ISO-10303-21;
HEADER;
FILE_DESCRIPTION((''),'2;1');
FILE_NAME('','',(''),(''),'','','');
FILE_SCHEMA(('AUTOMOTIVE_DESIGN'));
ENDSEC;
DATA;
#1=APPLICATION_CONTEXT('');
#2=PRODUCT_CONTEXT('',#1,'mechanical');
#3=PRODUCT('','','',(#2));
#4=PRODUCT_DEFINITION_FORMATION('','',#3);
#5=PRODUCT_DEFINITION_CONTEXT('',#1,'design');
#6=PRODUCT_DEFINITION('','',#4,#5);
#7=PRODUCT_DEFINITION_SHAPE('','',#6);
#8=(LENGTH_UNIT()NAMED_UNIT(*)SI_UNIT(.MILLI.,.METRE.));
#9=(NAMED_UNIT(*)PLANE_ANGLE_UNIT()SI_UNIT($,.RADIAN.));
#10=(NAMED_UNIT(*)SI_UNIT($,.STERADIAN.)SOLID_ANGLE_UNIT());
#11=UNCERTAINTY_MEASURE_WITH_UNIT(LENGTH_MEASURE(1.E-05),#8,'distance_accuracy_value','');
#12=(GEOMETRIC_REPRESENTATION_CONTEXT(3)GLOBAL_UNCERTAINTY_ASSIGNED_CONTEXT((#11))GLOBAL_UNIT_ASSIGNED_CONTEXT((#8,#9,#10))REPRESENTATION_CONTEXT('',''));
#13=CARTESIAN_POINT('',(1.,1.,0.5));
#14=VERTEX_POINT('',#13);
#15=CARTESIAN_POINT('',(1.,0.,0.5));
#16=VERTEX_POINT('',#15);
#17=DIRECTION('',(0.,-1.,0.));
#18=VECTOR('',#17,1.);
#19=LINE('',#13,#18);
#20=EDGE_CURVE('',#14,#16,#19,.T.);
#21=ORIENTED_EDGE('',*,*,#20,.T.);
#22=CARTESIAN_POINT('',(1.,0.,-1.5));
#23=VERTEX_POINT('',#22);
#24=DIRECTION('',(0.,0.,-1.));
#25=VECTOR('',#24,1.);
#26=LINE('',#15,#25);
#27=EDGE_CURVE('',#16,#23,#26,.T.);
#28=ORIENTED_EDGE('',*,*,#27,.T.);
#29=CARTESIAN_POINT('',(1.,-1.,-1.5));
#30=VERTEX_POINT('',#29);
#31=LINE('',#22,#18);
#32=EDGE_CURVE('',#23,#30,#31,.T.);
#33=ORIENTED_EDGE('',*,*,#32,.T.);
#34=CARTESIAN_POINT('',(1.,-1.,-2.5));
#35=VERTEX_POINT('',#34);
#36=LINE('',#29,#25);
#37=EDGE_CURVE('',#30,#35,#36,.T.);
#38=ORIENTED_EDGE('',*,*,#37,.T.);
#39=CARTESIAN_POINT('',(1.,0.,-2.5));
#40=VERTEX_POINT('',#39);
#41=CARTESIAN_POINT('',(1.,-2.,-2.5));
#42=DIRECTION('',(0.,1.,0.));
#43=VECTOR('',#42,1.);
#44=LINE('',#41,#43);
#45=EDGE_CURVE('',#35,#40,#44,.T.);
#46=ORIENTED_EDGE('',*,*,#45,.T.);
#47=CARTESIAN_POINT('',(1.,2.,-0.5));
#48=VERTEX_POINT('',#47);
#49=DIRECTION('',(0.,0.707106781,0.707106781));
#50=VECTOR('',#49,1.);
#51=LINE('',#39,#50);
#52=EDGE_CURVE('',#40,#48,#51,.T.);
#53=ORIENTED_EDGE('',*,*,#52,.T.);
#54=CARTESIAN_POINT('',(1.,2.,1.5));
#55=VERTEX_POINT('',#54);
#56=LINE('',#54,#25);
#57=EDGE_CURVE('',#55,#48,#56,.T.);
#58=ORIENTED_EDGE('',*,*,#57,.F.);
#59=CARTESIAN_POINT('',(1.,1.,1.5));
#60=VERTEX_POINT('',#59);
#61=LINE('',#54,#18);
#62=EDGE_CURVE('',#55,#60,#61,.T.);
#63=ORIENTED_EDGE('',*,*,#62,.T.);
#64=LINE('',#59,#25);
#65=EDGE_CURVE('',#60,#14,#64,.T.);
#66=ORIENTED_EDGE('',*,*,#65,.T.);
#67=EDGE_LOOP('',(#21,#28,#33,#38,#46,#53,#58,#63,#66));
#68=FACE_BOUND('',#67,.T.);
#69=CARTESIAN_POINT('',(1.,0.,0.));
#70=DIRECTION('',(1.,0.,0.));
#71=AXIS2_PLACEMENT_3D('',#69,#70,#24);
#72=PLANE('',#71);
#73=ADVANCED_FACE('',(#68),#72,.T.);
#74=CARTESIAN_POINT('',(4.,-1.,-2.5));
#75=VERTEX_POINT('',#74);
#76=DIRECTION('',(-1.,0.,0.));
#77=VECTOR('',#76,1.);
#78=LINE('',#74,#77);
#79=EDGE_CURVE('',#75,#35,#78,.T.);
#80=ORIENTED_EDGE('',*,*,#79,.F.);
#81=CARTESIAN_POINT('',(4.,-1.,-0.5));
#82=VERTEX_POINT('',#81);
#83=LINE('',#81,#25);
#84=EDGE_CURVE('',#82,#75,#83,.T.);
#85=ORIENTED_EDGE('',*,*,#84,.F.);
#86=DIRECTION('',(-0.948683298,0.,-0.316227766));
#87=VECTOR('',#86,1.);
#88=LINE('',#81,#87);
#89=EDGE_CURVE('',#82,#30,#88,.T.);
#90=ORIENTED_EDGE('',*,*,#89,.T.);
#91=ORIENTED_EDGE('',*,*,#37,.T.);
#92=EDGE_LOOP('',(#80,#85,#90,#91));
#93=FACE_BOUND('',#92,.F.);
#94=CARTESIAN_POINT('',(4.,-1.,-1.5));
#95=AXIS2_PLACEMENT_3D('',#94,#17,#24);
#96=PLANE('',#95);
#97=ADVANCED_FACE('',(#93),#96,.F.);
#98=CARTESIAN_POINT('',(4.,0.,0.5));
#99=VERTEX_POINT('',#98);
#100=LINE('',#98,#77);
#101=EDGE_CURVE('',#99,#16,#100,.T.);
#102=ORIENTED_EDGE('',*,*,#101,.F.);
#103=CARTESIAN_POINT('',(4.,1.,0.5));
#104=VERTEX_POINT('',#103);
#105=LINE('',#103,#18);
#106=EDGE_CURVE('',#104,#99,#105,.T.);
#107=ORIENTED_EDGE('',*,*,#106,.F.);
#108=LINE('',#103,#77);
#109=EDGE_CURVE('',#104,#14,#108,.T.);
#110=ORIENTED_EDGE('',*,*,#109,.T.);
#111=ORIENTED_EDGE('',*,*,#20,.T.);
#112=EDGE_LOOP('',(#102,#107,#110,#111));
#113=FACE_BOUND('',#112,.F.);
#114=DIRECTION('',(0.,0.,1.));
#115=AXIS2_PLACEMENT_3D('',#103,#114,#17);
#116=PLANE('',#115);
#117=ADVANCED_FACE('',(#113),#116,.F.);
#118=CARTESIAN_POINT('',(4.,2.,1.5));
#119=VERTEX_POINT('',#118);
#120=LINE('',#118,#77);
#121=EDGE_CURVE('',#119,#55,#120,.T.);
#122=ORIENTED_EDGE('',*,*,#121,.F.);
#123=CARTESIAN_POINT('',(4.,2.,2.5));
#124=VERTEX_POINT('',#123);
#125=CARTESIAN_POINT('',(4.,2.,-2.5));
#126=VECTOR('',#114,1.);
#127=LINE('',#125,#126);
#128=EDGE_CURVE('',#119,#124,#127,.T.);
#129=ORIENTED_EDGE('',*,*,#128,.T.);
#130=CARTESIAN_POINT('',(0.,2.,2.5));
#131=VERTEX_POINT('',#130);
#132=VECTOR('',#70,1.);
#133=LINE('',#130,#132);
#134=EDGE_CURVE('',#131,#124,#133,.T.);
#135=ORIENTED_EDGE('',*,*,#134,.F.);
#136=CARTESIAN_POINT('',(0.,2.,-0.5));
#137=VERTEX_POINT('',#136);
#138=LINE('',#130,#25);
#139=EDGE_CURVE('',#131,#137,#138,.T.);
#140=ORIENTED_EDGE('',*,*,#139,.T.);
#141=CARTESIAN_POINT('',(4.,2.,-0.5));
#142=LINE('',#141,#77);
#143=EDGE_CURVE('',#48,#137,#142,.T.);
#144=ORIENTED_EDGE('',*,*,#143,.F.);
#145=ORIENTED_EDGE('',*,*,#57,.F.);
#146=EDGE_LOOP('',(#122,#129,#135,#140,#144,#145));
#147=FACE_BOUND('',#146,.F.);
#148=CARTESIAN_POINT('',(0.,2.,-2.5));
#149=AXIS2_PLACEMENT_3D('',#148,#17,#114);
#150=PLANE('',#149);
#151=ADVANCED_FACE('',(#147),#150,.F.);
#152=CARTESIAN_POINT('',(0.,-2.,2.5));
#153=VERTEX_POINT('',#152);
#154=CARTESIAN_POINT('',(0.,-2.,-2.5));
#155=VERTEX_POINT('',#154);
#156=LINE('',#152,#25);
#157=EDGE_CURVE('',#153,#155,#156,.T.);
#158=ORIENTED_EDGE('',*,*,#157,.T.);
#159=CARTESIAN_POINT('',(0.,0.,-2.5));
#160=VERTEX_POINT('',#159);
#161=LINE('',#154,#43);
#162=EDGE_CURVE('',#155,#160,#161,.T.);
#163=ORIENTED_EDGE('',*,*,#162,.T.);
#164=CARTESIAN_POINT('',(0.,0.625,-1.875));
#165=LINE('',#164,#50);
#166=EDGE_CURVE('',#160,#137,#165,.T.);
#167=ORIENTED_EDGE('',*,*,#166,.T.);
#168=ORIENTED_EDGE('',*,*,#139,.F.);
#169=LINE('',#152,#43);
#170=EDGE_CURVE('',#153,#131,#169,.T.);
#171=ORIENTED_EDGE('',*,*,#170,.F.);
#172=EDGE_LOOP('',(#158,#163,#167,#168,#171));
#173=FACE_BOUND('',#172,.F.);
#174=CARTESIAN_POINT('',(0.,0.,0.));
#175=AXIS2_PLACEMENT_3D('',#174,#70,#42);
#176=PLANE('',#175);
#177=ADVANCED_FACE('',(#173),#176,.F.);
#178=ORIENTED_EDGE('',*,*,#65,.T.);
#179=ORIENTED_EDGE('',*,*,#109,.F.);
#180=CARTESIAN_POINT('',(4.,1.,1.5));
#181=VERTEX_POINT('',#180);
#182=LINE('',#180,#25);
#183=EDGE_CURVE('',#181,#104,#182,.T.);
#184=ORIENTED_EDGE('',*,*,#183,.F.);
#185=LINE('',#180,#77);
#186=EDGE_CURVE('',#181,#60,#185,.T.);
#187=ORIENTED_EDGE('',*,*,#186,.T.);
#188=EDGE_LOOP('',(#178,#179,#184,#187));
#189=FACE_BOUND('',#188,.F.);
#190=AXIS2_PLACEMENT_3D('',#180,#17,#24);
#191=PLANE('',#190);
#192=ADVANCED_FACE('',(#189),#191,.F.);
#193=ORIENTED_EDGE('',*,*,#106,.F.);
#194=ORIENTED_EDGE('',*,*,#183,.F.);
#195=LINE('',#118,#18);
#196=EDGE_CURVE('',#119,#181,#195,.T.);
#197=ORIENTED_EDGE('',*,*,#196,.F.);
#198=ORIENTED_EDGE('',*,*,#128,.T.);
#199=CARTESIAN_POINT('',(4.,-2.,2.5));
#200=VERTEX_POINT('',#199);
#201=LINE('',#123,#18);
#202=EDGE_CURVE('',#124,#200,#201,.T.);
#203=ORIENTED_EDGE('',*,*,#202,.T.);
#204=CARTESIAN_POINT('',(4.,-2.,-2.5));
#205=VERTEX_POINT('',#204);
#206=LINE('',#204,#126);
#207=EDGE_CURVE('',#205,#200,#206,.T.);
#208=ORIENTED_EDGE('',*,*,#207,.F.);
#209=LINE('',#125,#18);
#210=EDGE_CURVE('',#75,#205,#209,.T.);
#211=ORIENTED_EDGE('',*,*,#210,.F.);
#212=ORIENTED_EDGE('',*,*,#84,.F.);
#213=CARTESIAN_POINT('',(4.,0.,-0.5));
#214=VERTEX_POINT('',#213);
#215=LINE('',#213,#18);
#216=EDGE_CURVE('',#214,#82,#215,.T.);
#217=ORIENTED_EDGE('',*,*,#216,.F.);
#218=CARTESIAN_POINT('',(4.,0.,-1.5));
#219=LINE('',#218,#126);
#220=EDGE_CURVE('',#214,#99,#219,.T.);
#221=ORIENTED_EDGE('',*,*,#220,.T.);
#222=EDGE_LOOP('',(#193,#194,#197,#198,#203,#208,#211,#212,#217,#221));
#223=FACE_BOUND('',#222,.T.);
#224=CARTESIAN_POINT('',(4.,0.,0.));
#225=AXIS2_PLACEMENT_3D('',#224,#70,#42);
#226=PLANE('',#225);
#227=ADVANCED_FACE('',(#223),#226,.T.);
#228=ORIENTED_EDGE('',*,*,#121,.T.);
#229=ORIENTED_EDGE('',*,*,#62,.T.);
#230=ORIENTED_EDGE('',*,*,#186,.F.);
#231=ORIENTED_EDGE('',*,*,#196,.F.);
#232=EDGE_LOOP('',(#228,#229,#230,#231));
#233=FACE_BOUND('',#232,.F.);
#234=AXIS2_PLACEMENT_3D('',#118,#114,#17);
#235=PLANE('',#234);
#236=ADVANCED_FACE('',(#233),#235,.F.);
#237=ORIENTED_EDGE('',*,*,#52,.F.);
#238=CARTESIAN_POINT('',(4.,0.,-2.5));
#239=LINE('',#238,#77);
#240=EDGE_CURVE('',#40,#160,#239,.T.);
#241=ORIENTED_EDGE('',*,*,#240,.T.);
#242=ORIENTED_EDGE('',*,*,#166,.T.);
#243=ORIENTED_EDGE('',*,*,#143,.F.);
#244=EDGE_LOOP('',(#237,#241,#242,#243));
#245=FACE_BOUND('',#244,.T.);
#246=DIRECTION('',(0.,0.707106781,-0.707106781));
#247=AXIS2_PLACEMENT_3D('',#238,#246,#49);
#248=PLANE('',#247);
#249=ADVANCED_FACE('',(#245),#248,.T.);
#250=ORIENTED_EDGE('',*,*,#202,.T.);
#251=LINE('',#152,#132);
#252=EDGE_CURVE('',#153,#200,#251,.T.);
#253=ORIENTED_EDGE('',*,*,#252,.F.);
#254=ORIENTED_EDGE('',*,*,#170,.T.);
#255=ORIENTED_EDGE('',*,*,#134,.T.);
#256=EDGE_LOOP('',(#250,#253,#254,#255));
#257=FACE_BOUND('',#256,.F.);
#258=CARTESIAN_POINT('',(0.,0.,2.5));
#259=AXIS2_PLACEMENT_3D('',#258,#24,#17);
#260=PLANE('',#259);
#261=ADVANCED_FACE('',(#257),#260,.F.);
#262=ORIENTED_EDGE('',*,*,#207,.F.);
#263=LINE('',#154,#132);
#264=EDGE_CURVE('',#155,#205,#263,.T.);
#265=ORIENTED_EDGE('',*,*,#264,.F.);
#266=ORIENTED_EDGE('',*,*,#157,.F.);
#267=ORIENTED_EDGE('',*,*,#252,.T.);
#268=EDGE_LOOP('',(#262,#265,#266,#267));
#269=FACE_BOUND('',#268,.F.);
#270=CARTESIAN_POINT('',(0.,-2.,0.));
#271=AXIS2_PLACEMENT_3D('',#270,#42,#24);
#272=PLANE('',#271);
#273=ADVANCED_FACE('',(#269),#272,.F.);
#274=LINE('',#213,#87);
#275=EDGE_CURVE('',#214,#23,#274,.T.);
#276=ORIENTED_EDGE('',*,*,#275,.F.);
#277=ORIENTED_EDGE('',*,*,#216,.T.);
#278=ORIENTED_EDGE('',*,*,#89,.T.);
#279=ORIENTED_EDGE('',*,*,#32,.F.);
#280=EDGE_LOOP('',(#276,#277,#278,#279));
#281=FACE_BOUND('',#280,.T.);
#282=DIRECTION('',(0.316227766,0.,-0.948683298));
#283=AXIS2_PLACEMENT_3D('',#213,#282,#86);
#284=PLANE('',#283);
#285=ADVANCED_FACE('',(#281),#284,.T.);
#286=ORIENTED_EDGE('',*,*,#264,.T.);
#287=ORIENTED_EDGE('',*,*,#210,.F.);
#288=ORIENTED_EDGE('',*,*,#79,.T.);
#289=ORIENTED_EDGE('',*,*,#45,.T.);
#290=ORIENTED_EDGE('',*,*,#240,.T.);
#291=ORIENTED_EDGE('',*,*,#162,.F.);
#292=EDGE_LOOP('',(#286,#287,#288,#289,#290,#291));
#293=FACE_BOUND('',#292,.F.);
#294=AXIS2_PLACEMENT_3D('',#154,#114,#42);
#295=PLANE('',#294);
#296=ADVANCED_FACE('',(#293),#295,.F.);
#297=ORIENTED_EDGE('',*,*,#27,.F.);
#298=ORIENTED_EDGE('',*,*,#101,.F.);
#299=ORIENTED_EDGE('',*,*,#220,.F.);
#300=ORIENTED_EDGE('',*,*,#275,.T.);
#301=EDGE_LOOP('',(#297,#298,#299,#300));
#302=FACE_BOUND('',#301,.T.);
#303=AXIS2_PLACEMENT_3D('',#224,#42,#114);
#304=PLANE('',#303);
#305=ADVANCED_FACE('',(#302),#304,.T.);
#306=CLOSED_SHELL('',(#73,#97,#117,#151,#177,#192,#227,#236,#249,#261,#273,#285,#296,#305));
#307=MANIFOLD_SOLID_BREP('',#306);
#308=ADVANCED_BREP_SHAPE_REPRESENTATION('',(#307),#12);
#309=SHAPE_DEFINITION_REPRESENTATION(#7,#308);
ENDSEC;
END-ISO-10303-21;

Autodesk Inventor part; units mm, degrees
ref_plane "YZ Plane" through (0, 0, 0) normal (1, 0, 0) x (0, 1, 0)
ref_plane "XZ Plane" through (0, 0, 0) normal (0, 1, 0) x (-1, 0, 0)
ref_plane "XY Plane" through (0, 0, 0) normal (0, 0, 1) x (1, 0, 0)
sketch "草圖1" plane through (0, 0, 0) normal (1, 0, 0) x (0, 1, 0)
  line L0 (0, -3.5) -> (0, 3.5) projected
  line L1 (-2.8, 0) -> (2.8, 0) projected
  line L2 (-2, -2.5) -> (2, -2.5)
  line L3 (2, -2.5) -> (2, 2.5)
  line L4 (2, 2.5) -> (-2, 2.5)
  line L5 (-2, 2.5) -> (-2, -2.5)
  line L6 (-2, -2.5) -> (2, 2.5) construction
  line L7 (2, -2.5) -> (-2, 2.5) construction
  point P0 (0, 0)
  dimension "d0" = 4
  dimension "d1" = 5
extrude "擠出1" add sketch "草圖1" along normal blind 4
sketch "草圖2" plane through (4, 0, 0) normal (1, 0, 0) x (0, 0, -1)
  line L0 (0, -2.8) -> (0, 2.8) projected
  line L1 (3.5, 0) -> (-3.5, 0) projected
  line L2 (2.5, -2) -> (2.5, 2) projected
  line L3 (2.5, 2) -> (0.5, 2)
  line L4 (2.5, 2) -> (2.5, 0)
  line L5 (2.5, 0) -> (0.5, 2)
  line L6 (2.5, 2) -> (-2.5, 2) projected
  line L7 (-2.5, 2) -> (-1.5, 2)
  line L8 (-1.5, 2) -> (-1.5, 1)
  line L9 (-1.5, 1) -> (-0.5, 1)
  line L10 (-0.5, 1) -> (-0.5, 0)
  line L11 (-0.5, 0) -> (1.5, 0)
  line L12 (1.5, 0) -> (1.5, -1)
  line L13 (1.5, -1) -> (2.5, -1)
  line L14 (2.5, -1) -> (2.5, -2)
  line L15 (-2.5, 2) -> (-2.5, -2) projected
  line L16 (2.5, -2) -> (-2.5, -2)
  line L17 (-2.5, -2) -> (-2.5, 2)
  point P0 (0, 0)
  dimension "d4" = 2
  dimension "d5" = 2
  dimension "d6" = 1
  dimension "d7" = 1
  dimension "d8" = 1
  dimension "d9" = 1
  dimension "d10" = 2
  dimension "d11" = 1
extrude "擠出2" cut sketch "草圖2" against normal blind 1000 contours L3 L2 L5
extrude "擠出3" cut sketch "草圖2" against normal blind 3 contours L1 L10 L9 L8 L6 L0 | L0 L6 L5 L1 | L1 L2 L13 L12
sketch "草圖3" plane through (4, 0, 0.5) normal (0, 1, 0) x (1, 0, 0)
  line L0 (0, 2) -> (0, 0) projected
  line L1 (0, 2) -> (-3, 2) projected
  line L2 (-3, 2) -> (-3, 0) projected
  line L3 (0, 0) -> (-3, 0) projected
  line L4 (0, 2) -> (0, 1)
  line L5 (0, -2) -> (0, 3) projected
  line L6 (0, 1) -> (-3, 2)
  point P0 (-4, 0.5)
  dimension "d16" = 1
extrude "擠出4" cut sketch "草圖3" against normal blind 1 contours L0 L6 L1
properties part number "15"
